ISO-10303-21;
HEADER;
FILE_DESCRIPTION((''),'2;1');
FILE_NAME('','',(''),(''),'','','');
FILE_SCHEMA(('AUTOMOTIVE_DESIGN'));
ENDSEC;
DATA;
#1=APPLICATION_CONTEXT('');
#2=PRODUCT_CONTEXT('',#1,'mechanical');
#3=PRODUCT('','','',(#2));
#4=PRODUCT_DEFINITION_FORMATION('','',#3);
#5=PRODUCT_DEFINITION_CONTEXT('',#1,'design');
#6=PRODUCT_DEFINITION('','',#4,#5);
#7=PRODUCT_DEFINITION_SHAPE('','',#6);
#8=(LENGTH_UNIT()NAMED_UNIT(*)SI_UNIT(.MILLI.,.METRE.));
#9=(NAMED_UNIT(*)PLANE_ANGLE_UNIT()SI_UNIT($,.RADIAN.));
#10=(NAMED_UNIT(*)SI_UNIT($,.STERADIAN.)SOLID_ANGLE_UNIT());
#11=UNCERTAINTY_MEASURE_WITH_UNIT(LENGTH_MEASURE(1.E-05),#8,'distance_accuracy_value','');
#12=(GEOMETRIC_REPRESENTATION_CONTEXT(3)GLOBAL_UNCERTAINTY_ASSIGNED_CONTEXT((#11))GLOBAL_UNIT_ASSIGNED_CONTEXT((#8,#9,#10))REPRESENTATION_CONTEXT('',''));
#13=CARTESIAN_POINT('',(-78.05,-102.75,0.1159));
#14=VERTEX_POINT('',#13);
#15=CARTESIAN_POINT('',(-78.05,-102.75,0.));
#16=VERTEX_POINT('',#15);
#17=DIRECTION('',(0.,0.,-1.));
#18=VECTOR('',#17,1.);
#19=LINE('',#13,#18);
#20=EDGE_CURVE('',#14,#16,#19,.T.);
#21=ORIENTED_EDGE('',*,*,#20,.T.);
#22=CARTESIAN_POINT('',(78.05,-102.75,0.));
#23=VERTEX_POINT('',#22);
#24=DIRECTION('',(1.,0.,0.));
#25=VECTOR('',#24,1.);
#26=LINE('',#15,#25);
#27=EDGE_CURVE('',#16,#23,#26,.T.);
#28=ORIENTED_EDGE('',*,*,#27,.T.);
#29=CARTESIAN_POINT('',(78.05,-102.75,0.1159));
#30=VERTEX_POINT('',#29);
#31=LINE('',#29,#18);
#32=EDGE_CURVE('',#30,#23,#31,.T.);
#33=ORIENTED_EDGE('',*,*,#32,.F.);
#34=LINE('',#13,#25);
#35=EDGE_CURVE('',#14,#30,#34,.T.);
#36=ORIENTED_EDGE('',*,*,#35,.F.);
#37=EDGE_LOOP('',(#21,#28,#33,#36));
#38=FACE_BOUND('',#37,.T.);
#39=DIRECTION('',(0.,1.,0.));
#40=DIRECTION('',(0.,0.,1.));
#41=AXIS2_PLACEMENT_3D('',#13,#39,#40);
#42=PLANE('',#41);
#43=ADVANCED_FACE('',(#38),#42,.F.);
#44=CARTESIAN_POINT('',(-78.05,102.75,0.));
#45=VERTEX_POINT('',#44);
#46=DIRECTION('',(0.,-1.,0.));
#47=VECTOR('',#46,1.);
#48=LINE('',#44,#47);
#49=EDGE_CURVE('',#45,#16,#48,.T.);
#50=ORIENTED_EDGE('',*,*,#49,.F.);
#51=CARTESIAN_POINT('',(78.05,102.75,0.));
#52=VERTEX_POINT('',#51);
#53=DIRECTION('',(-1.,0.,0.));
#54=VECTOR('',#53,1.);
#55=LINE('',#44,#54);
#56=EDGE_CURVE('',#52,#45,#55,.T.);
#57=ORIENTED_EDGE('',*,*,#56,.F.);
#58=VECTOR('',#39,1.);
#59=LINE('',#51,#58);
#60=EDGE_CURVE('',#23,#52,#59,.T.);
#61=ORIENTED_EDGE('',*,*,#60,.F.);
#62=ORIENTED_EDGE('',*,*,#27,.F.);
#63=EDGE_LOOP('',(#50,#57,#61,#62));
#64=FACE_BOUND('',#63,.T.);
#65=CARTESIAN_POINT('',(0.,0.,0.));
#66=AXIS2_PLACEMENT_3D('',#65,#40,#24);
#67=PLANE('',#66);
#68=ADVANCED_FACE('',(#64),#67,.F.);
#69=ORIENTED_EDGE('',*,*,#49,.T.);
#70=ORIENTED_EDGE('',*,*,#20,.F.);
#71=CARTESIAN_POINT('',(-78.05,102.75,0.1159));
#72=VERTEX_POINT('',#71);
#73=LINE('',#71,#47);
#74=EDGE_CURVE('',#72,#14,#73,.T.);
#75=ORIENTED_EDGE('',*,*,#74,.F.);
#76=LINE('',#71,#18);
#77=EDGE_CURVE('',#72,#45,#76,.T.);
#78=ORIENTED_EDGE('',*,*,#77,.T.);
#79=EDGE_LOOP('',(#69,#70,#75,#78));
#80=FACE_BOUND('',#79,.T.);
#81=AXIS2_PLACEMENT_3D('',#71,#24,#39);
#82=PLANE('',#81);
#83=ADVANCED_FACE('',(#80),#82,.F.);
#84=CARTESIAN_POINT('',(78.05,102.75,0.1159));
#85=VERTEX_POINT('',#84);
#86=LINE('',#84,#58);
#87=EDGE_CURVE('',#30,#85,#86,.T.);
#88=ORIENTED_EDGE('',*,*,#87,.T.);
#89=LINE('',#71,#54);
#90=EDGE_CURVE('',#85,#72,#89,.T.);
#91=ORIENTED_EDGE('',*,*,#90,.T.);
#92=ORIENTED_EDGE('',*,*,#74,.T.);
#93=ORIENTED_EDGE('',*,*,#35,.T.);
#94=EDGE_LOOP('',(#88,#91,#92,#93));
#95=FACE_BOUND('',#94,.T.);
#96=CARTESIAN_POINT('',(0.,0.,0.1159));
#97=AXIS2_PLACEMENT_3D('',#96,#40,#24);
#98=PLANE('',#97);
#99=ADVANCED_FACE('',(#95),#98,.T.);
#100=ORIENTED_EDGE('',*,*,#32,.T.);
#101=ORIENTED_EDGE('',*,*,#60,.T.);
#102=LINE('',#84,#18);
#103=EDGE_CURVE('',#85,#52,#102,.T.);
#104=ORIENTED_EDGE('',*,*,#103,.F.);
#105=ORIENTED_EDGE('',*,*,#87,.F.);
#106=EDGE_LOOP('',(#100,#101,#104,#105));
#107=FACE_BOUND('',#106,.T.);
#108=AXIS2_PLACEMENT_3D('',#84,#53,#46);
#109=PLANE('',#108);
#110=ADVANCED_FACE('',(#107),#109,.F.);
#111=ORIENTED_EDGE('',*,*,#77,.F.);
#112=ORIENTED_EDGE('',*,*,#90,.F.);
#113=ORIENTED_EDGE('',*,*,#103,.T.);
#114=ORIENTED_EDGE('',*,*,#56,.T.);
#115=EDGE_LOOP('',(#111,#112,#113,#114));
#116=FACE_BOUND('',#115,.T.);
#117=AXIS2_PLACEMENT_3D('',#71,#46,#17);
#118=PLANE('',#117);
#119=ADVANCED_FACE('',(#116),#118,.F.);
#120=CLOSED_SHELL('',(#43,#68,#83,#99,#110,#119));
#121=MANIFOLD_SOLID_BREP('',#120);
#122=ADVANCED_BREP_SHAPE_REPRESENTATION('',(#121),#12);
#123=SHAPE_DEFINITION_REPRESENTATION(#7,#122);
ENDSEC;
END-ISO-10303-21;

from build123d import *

# Parameters (mm, degrees)
SKETCH1_W      = 156.1
SKETCH1_H      = 205.5
NEGATIVE_DEPTH = 0.1159


with BuildPart() as part:
    # Sketch1 → Negative (new body)
    with BuildSketch(Plane.XY):
        Rectangle(SKETCH1_W, SKETCH1_H)
    extrude(amount=NEGATIVE_DEPTH)


solid = part.part
